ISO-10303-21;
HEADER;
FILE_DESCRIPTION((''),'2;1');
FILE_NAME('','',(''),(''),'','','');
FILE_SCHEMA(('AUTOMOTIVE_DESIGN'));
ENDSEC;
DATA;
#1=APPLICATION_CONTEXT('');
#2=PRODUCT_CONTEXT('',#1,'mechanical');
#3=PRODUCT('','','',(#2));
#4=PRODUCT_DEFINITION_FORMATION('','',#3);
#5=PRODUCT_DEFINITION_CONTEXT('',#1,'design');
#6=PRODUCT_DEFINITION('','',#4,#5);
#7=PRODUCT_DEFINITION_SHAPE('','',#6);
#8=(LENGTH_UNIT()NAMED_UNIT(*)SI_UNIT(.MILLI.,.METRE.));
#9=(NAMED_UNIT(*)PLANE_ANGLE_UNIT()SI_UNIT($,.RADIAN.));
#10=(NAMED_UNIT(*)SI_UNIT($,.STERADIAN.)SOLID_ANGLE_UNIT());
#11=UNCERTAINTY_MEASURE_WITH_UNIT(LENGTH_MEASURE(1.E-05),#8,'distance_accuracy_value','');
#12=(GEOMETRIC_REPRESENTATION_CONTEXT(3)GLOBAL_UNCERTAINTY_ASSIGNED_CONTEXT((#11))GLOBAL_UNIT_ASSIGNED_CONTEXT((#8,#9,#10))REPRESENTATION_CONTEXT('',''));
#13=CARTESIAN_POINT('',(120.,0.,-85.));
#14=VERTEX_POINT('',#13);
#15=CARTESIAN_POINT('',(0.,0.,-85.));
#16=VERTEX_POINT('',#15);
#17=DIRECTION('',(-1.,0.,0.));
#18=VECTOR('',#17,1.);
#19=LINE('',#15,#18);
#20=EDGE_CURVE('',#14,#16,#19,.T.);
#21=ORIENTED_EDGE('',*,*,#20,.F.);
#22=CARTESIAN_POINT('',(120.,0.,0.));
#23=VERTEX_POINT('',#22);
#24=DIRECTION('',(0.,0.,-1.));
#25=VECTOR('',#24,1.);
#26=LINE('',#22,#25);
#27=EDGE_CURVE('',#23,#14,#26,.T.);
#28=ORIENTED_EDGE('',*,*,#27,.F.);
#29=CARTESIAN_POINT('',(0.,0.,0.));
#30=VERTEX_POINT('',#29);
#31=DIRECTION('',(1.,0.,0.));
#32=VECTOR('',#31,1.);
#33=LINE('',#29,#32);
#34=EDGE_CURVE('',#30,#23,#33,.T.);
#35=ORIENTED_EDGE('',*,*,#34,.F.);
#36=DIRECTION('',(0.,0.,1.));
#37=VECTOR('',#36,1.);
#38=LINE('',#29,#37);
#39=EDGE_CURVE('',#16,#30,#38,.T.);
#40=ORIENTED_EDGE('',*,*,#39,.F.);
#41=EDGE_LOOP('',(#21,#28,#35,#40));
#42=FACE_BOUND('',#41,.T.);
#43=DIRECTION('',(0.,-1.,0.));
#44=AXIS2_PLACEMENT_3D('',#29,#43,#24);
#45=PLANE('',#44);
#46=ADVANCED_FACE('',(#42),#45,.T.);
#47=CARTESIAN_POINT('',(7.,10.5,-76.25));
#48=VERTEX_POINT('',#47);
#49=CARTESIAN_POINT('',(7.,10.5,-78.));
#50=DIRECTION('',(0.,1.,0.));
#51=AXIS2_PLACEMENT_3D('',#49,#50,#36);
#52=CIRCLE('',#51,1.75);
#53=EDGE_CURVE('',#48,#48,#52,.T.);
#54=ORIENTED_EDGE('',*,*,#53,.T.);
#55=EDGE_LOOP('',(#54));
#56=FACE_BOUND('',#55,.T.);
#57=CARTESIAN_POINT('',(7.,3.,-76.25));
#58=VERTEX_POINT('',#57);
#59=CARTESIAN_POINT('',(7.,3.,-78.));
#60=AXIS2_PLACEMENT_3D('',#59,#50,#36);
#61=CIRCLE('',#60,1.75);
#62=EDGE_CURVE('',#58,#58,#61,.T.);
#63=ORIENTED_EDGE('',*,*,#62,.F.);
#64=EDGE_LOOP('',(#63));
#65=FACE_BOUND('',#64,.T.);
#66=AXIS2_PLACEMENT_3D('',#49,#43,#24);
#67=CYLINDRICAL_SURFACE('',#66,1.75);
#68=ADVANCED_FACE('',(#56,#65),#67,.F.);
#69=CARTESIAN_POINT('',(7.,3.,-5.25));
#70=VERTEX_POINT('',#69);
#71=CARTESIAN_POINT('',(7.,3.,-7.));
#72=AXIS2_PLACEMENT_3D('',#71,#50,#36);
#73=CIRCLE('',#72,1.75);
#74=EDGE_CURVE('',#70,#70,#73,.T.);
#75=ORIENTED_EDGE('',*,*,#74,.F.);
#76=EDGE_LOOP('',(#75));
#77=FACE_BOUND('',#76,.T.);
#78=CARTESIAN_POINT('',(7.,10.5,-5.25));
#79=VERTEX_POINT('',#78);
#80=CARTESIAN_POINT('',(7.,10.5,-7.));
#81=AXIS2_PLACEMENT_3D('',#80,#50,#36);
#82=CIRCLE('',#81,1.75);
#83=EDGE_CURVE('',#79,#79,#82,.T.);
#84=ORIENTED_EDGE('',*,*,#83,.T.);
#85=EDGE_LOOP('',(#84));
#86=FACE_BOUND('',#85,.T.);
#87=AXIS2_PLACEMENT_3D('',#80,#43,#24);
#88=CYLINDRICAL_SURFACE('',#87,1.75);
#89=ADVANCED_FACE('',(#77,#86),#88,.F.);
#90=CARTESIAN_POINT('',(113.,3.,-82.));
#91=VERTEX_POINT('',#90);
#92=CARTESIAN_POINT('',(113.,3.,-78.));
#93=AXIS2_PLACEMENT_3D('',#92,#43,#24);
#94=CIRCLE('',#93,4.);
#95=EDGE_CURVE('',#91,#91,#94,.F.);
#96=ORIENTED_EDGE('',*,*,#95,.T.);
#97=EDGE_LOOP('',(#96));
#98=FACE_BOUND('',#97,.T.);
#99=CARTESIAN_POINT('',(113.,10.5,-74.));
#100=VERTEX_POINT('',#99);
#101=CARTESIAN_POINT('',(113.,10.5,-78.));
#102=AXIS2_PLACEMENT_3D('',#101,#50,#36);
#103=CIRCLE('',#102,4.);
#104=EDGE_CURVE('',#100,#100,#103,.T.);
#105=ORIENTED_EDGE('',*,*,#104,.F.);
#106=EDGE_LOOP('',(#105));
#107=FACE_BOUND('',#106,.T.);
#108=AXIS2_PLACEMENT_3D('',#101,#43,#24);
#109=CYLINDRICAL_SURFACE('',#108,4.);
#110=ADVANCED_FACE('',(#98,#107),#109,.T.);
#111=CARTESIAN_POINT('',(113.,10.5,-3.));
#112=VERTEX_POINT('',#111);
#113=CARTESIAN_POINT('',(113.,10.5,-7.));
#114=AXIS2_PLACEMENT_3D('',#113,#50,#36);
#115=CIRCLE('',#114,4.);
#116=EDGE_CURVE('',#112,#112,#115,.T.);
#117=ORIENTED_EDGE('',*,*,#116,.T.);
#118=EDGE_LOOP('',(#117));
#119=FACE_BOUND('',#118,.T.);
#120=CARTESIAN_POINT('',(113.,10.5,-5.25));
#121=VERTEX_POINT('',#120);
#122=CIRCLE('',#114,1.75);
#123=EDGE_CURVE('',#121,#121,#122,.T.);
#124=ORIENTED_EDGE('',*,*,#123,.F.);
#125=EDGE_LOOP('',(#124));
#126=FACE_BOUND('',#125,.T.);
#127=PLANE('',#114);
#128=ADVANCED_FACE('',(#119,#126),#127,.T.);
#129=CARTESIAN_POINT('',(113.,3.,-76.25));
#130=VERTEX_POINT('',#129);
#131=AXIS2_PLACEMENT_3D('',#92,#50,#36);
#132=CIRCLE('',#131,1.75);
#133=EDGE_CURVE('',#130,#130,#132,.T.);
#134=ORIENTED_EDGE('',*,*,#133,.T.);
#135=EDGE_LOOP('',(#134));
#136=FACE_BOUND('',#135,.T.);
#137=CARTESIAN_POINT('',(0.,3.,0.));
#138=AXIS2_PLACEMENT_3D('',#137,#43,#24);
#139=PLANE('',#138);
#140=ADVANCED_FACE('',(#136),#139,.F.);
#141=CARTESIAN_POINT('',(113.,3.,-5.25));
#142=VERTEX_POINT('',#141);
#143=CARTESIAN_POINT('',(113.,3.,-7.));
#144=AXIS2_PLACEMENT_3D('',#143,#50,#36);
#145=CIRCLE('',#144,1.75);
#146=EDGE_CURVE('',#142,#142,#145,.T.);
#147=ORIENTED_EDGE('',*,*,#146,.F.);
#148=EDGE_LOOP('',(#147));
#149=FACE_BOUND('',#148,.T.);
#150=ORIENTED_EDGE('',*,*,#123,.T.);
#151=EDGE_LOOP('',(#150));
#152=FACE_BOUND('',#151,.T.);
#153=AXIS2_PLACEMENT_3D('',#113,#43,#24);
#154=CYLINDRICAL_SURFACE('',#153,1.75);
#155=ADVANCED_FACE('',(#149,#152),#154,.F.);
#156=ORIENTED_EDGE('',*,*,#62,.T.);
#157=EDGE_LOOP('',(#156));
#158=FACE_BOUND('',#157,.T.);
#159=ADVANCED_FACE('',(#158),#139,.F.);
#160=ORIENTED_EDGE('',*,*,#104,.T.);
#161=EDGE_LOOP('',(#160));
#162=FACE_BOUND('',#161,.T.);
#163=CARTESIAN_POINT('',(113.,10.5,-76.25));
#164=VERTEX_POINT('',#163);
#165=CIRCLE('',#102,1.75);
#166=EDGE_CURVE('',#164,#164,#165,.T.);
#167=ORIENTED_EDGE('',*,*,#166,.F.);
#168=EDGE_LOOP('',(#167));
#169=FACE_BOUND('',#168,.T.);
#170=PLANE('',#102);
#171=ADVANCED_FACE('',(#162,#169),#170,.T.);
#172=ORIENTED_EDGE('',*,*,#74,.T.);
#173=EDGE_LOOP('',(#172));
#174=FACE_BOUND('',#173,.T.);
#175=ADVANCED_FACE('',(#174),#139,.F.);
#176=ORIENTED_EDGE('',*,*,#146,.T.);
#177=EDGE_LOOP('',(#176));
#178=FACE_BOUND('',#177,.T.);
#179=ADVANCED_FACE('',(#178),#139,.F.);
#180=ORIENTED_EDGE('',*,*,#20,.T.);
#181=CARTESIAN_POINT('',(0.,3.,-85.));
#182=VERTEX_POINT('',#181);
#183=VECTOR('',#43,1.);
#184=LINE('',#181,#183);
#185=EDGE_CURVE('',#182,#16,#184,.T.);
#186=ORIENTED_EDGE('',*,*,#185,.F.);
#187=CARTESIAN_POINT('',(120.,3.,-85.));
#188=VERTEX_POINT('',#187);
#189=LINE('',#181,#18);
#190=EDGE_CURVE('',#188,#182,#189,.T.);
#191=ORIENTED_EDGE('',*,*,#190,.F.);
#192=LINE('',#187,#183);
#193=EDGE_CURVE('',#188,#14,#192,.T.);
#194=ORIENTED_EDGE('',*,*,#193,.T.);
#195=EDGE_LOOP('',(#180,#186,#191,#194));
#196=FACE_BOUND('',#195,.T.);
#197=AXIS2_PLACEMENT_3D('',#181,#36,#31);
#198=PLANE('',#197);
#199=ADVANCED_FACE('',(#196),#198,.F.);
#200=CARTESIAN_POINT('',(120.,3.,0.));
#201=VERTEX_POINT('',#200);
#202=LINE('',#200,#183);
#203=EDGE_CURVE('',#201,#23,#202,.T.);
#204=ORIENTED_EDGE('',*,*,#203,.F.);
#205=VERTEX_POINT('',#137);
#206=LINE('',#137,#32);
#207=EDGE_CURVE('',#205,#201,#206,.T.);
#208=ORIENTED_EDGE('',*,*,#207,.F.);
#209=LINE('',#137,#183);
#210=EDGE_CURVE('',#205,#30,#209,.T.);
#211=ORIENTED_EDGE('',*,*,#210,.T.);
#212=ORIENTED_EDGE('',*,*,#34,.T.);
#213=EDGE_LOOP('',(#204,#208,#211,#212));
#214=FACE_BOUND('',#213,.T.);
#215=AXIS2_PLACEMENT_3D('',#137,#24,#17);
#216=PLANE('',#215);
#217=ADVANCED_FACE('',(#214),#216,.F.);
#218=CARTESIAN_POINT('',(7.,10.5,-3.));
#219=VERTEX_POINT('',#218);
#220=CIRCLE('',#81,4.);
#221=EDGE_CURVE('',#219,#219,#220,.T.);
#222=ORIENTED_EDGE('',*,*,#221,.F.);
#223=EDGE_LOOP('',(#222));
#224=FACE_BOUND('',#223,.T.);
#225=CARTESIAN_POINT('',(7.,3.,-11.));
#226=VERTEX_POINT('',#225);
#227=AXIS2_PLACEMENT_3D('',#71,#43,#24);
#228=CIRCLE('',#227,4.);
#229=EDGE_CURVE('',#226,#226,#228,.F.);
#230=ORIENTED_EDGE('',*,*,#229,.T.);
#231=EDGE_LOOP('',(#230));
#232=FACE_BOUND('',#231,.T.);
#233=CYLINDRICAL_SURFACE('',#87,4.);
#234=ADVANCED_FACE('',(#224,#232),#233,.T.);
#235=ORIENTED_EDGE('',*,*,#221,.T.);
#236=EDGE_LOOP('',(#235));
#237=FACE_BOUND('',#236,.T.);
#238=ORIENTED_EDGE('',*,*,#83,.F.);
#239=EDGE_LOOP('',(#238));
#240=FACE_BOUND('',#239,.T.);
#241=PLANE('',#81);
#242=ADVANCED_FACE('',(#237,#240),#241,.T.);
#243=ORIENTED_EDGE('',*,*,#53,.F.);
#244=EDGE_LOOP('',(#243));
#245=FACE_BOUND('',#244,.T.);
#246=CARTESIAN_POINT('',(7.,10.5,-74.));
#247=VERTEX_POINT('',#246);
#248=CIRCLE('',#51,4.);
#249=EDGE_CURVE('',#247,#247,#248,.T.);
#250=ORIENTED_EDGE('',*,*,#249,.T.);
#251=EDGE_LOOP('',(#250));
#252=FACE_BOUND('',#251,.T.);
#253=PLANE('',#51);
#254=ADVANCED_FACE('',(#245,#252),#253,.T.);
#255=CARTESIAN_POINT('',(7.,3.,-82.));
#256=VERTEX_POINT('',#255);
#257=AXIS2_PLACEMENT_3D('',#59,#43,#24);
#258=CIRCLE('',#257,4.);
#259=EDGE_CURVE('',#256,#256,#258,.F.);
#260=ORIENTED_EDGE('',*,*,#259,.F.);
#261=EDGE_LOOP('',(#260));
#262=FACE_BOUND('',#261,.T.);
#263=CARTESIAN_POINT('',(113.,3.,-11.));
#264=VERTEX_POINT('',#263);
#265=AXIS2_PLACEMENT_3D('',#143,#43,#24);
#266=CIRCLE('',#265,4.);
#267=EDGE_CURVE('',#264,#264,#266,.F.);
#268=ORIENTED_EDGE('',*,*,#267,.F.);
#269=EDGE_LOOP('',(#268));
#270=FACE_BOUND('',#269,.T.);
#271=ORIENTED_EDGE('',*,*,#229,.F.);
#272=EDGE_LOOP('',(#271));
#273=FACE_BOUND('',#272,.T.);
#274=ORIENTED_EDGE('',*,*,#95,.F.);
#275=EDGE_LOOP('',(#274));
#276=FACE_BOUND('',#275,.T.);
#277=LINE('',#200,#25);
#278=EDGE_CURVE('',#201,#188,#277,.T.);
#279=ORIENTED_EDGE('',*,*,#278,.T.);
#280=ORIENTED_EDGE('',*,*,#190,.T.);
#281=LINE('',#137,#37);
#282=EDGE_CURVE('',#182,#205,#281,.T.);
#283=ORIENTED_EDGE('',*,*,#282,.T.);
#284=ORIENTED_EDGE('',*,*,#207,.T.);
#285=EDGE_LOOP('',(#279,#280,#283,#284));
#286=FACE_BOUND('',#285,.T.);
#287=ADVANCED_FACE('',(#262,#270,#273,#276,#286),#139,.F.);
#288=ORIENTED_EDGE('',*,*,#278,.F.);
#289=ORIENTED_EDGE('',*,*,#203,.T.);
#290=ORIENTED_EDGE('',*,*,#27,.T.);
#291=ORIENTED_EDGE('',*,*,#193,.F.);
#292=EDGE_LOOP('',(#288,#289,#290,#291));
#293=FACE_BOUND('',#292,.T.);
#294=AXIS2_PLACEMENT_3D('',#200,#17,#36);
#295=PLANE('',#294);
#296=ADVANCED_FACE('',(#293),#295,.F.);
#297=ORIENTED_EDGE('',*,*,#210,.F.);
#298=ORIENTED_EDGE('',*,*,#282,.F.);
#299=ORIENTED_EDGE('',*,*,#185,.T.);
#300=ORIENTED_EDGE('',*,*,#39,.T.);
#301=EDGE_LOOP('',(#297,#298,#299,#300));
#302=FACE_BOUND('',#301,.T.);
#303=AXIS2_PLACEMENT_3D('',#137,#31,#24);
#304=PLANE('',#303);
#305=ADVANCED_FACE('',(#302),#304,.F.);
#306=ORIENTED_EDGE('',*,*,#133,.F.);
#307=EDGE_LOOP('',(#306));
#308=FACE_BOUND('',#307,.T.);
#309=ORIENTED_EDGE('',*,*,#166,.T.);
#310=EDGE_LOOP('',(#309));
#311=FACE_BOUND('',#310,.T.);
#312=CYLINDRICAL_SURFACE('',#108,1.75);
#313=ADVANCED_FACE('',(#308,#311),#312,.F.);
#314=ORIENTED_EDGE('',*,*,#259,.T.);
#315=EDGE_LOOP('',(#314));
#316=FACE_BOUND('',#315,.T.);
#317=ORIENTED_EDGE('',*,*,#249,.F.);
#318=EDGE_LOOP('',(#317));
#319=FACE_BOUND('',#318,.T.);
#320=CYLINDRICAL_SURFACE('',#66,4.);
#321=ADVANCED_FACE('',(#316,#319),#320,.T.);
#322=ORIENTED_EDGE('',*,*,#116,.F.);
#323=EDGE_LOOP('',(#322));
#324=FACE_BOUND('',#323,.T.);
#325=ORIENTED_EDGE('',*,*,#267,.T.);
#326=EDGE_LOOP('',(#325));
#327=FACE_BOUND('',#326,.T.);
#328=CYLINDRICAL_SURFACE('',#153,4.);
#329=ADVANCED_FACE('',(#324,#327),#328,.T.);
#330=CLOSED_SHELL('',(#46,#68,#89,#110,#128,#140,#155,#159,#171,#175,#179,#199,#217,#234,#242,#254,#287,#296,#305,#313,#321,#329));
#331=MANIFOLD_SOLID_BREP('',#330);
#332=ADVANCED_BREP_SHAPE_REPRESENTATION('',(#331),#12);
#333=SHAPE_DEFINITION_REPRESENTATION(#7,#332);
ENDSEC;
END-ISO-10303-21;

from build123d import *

# Parameters (mm, degrees)
SKETCH1_W           = 120
SKETCH1_H           = 85
BOSS_EXTRUDE1_DEPTH = 3
SKETCH2_R           = 4
SKETCH2_R_2         = 1.75
BOSS_EXTRUDE2_DEPTH = 7.5


with BuildPart() as part:
    # Sketch1 → Boss-Extrude1 (new body)
    with BuildSketch(Plane(origin=(0, 0, 0), x_dir=(1, 0, 0), z_dir=(0, 1, 0))):
        with Locations((60, 42.5)):
            Rectangle(SKETCH1_W, SKETCH1_H)
    extrude(amount=BOSS_EXTRUDE1_DEPTH)

    # Sketch2 → Boss-Extrude2 (add)
    # profile 1 of 4: a face of its own
    with BuildSketch(Plane(origin=(0, 3, 0), x_dir=(1, 0, 0), z_dir=(0, 1, 0))):
        with Locations(Location((7, 78, 0), (0, 0, 90))):
            Circle(SKETCH2_R)
        with Locations(Location((7, 78, 0), (0, 0, 270))):
            Circle(SKETCH2_R_2, mode=Mode.SUBTRACT)
    # profile 2 of 4: a face of its own
    with BuildSketch(Plane(origin=(0, 3, 0), x_dir=(1, 0, 0), z_dir=(0, 1, 0))):
        with Locations(Location((7, 7, 0), (0, 0, 90))):
            Circle(SKETCH2_R)
        with Locations(Location((7, 7, 0), (0, 0, 270))):
            Circle(SKETCH2_R_2, mode=Mode.SUBTRACT)
    # profile 3 of 4: a face of its own
    with BuildSketch(Plane(origin=(0, 3, 0), x_dir=(1, 0, 0), z_dir=(0, 1, 0))):
        with Locations(Location((113, 7, 0), (0, 0, 90))):
            Circle(SKETCH2_R)
        with Locations(Location((113, 7, 0), (0, 0, 270))):
            Circle(SKETCH2_R_2, mode=Mode.SUBTRACT)
    # profile 4 of 4: a face of its own
    with BuildSketch(Plane(origin=(0, 3, 0), x_dir=(1, 0, 0), z_dir=(0, 1, 0))):
        with Locations(Location((113, 78, 0), (0, 0, 90))):
            Circle(SKETCH2_R)
        with Locations(Location((113, 78, 0), (0, 0, 270))):
            Circle(SKETCH2_R_2, mode=Mode.SUBTRACT)
    extrude(amount=BOSS_EXTRUDE2_DEPTH)


solid = part.part
